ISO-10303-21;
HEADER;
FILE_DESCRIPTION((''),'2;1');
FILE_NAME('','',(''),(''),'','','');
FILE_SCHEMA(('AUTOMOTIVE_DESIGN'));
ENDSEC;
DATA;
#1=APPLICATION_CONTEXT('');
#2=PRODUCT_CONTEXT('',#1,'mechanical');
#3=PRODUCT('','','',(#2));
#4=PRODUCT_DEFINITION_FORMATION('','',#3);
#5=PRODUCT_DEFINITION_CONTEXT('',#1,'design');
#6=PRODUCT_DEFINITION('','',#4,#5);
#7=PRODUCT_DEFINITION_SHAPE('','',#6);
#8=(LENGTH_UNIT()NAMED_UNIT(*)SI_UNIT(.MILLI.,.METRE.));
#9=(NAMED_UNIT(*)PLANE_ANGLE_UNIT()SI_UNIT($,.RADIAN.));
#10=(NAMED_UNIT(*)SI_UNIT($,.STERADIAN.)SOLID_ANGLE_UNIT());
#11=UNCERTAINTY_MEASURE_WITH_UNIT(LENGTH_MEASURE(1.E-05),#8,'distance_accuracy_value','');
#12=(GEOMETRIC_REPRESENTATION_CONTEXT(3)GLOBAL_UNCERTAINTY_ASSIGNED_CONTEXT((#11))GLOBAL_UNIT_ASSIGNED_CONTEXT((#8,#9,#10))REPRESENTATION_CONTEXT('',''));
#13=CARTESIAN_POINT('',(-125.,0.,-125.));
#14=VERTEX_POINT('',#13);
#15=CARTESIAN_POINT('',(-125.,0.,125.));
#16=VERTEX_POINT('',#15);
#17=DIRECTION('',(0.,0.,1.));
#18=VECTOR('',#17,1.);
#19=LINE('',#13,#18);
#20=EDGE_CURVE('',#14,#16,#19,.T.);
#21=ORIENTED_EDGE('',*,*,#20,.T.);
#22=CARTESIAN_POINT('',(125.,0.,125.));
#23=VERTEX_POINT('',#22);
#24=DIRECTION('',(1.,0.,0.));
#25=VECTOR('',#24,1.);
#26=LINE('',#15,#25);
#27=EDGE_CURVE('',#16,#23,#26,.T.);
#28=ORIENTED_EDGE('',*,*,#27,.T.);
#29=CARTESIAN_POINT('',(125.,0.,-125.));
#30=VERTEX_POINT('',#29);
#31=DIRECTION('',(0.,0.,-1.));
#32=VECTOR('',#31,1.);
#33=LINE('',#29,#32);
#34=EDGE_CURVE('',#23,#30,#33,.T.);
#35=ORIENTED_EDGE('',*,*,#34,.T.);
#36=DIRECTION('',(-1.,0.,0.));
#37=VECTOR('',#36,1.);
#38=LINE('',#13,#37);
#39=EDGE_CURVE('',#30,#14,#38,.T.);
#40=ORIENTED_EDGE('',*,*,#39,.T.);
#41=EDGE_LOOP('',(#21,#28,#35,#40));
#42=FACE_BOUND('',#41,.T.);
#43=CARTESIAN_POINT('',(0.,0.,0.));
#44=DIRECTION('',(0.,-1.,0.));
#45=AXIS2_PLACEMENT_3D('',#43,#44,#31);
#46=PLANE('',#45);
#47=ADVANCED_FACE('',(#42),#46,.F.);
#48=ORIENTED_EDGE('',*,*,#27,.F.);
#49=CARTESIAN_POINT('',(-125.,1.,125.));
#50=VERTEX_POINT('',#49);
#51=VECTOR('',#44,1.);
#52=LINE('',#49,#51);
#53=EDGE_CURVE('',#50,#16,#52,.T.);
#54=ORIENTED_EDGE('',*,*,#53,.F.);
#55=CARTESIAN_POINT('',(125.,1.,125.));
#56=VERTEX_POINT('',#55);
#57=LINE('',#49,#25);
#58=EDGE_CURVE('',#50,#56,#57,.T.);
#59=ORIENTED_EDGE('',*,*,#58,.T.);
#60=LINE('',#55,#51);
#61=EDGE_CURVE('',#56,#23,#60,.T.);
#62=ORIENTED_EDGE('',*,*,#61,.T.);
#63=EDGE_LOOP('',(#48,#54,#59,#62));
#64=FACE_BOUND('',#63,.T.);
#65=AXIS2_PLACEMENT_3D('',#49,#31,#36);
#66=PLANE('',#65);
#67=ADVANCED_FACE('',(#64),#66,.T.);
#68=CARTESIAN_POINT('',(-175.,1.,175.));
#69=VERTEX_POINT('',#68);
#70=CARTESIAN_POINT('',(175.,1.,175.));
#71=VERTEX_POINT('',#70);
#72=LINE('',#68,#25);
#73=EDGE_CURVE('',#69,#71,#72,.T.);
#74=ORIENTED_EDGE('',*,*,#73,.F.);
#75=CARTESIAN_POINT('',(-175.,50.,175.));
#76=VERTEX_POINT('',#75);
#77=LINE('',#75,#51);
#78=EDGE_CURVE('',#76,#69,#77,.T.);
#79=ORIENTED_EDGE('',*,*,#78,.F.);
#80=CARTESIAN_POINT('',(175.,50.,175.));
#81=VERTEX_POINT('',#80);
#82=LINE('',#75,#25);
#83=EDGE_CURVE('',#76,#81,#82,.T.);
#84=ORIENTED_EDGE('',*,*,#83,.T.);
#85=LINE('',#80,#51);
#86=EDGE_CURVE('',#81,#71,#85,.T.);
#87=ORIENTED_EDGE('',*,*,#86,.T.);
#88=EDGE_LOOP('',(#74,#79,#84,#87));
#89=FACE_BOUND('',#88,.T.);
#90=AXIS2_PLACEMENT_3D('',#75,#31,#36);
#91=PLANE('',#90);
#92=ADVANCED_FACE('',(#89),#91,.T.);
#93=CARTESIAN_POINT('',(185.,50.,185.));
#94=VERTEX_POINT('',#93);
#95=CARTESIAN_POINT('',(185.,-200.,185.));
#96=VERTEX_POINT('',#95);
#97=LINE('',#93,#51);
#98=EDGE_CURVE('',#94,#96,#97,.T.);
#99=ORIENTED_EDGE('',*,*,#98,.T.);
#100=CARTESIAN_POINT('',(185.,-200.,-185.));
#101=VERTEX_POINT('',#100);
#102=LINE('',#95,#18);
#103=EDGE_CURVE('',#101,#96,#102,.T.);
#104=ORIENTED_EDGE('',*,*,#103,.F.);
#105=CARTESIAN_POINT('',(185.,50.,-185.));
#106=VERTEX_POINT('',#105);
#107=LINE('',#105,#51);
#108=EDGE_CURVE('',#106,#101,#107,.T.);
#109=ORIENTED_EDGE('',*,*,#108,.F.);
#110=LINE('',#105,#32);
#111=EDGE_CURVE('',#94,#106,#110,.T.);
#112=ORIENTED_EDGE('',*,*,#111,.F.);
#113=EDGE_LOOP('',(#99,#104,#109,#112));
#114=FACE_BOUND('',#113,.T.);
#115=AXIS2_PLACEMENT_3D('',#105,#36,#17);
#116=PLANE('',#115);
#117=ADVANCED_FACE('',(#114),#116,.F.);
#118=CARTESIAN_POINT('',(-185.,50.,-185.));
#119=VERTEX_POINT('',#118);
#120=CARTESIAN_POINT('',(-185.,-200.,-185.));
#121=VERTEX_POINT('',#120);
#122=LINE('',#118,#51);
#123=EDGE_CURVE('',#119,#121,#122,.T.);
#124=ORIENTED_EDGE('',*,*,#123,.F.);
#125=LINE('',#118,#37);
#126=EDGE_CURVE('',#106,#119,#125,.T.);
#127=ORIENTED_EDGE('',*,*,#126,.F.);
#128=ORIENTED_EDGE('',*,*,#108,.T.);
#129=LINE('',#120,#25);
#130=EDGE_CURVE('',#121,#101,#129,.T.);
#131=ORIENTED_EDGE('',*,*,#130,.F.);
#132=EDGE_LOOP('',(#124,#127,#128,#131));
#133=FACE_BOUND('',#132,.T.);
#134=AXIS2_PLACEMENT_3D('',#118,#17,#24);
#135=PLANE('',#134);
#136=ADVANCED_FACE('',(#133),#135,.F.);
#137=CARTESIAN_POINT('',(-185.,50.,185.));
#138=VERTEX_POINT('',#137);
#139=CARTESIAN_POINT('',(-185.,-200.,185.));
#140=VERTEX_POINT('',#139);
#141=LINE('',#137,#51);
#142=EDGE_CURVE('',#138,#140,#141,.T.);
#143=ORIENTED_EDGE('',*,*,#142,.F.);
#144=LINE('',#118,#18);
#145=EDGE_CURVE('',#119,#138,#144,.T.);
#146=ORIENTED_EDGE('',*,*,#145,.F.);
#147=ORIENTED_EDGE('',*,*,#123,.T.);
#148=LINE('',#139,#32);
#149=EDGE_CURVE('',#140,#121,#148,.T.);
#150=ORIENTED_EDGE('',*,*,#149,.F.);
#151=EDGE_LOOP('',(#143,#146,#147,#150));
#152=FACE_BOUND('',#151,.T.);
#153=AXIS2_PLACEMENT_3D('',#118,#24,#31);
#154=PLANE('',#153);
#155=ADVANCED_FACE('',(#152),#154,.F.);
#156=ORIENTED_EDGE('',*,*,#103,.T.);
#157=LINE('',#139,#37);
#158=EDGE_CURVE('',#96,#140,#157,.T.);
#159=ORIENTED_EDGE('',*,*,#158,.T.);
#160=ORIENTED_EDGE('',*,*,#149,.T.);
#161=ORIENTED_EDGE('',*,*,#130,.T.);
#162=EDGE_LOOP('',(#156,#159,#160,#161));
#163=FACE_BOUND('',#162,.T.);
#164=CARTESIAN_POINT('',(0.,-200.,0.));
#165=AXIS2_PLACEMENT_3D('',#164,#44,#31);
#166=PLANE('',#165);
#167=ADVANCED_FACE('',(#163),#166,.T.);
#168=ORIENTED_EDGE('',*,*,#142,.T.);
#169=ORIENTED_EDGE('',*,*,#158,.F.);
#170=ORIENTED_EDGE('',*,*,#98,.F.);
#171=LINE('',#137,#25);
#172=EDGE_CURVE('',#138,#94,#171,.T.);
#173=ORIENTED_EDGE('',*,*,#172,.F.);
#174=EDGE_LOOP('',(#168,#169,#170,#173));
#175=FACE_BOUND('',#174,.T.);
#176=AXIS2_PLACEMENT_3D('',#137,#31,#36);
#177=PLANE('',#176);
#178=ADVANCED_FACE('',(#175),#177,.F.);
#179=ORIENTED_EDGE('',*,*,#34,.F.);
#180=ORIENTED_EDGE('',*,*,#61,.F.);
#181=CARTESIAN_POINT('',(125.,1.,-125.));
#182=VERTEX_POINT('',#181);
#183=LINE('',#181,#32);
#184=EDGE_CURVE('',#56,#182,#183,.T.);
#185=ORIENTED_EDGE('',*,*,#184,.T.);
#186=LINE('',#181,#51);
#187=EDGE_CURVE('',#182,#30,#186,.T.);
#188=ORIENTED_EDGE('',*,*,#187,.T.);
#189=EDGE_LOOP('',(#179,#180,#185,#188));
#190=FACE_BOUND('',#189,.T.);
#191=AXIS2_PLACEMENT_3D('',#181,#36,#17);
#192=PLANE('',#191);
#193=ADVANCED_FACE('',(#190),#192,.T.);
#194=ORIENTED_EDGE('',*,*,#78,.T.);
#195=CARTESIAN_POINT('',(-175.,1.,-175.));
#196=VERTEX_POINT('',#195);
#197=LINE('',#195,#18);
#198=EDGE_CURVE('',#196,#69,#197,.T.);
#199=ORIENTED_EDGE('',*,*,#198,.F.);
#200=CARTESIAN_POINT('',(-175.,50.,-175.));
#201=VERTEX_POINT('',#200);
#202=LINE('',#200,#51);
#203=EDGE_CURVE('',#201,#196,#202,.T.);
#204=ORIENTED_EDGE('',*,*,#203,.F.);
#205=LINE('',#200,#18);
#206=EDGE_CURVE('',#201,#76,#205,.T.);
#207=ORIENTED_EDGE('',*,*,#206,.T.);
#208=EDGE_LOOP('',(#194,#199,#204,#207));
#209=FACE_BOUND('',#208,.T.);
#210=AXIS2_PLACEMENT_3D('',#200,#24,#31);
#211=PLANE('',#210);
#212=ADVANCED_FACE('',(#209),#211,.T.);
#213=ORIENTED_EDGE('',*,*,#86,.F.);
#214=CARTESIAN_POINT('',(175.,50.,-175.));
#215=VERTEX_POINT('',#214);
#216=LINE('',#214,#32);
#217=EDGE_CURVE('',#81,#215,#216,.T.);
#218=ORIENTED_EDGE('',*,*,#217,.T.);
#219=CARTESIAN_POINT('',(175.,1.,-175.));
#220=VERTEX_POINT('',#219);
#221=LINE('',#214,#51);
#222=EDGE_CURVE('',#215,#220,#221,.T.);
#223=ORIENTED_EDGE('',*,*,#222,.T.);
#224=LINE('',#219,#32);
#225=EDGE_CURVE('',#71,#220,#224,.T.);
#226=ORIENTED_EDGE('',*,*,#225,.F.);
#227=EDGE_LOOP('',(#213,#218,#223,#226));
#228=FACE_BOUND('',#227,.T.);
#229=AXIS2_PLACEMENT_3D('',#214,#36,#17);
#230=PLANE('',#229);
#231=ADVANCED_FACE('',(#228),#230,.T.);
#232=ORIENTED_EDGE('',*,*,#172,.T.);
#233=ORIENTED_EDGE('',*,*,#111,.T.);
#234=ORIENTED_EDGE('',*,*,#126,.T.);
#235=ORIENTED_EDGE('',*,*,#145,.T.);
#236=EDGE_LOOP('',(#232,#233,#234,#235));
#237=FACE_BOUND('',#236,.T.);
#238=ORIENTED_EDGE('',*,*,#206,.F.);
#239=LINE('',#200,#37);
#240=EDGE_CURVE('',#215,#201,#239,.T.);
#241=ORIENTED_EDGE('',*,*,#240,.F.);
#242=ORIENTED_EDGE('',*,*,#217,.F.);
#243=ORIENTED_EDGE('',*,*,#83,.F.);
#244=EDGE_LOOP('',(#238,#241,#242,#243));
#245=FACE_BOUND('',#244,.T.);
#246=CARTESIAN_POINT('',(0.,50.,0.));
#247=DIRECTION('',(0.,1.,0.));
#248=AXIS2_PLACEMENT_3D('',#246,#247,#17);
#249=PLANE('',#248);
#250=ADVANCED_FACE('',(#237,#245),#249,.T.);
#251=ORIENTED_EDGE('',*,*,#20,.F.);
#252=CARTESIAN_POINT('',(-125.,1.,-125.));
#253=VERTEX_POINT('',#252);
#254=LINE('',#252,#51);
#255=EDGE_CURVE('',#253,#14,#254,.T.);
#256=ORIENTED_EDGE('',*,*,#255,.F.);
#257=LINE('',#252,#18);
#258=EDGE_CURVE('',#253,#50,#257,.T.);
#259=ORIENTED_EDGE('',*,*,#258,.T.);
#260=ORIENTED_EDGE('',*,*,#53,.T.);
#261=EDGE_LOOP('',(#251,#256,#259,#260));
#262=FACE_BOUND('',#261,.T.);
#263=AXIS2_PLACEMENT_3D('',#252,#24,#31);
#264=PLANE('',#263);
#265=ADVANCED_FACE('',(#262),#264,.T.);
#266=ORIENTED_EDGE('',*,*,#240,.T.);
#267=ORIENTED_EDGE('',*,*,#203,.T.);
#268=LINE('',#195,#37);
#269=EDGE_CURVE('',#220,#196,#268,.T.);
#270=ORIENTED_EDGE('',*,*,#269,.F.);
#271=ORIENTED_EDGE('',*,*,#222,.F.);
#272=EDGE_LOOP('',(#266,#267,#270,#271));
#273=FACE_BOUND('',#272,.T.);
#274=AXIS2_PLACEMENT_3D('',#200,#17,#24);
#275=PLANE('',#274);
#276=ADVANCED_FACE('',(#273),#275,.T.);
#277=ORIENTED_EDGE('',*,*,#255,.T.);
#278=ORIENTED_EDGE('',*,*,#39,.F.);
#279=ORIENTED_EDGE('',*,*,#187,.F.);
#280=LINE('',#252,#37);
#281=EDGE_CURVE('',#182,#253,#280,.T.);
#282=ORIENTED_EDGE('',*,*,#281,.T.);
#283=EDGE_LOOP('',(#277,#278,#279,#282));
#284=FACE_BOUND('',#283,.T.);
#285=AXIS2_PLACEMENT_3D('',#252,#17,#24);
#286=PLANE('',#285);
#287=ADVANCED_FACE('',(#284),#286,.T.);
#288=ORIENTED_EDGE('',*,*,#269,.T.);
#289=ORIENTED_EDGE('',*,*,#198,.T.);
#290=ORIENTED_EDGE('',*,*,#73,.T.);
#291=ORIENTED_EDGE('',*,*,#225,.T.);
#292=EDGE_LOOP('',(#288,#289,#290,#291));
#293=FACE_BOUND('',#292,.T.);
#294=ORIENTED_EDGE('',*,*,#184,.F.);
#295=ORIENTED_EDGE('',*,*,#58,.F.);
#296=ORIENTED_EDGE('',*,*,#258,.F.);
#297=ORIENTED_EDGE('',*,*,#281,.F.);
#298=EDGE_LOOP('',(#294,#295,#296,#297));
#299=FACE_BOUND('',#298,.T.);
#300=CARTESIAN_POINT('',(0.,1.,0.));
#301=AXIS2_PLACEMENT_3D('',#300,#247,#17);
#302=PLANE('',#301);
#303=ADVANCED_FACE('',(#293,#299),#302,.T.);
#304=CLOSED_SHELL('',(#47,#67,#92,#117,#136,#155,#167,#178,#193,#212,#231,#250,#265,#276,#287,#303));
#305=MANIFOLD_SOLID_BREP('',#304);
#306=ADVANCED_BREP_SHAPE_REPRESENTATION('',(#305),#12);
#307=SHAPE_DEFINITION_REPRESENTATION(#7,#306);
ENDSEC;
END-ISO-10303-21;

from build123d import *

# Parameters (mm, degrees)
SKETCH_1_W      = 370
SKETCH_1_H      = 370
SKETCH_1_W_2    = 350
SKETCH_1_H_2    = 350
EXTRUDE_1_DEPTH = 50
SKETCH_2_W      = 370
SKETCH_2_H      = 370
EXTRUDE_2_DEPTH = 200
SKETCH_3_W      = 350
SKETCH_3_H      = 350
SKETCH_3_W_2    = 250
SKETCH_3_H_2    = 250
EXTRUDE_3_DEPTH = 1


with BuildPart() as part:
    # 草图1 → 凸台-拉伸1 (new body)
    with BuildSketch(Plane(origin=(0, 0, 0), x_dir=(1, 0, 0), z_dir=(0, 1, 0))):
        Rectangle(SKETCH_1_W, SKETCH_1_H)
        Rectangle(SKETCH_1_W_2, SKETCH_1_H_2, mode=Mode.SUBTRACT)
    extrude(amount=EXTRUDE_1_DEPTH)

    # 草图2 → 凸台-拉伸2 (add)
    with BuildSketch(Plane.XZ):
        Rectangle(SKETCH_2_W, SKETCH_2_H)
    extrude(amount=EXTRUDE_2_DEPTH)

    # 草图3 → 凸台-拉伸3 (add)
    with BuildSketch(Plane(origin=(0, 0, 0), x_dir=(1, 0, 0), z_dir=(0, 1, 0))):
        Rectangle(SKETCH_3_W, SKETCH_3_H)
        Rectangle(SKETCH_3_W_2, SKETCH_3_H_2, mode=Mode.SUBTRACT)
    extrude(amount=EXTRUDE_3_DEPTH)


solid = part.part
